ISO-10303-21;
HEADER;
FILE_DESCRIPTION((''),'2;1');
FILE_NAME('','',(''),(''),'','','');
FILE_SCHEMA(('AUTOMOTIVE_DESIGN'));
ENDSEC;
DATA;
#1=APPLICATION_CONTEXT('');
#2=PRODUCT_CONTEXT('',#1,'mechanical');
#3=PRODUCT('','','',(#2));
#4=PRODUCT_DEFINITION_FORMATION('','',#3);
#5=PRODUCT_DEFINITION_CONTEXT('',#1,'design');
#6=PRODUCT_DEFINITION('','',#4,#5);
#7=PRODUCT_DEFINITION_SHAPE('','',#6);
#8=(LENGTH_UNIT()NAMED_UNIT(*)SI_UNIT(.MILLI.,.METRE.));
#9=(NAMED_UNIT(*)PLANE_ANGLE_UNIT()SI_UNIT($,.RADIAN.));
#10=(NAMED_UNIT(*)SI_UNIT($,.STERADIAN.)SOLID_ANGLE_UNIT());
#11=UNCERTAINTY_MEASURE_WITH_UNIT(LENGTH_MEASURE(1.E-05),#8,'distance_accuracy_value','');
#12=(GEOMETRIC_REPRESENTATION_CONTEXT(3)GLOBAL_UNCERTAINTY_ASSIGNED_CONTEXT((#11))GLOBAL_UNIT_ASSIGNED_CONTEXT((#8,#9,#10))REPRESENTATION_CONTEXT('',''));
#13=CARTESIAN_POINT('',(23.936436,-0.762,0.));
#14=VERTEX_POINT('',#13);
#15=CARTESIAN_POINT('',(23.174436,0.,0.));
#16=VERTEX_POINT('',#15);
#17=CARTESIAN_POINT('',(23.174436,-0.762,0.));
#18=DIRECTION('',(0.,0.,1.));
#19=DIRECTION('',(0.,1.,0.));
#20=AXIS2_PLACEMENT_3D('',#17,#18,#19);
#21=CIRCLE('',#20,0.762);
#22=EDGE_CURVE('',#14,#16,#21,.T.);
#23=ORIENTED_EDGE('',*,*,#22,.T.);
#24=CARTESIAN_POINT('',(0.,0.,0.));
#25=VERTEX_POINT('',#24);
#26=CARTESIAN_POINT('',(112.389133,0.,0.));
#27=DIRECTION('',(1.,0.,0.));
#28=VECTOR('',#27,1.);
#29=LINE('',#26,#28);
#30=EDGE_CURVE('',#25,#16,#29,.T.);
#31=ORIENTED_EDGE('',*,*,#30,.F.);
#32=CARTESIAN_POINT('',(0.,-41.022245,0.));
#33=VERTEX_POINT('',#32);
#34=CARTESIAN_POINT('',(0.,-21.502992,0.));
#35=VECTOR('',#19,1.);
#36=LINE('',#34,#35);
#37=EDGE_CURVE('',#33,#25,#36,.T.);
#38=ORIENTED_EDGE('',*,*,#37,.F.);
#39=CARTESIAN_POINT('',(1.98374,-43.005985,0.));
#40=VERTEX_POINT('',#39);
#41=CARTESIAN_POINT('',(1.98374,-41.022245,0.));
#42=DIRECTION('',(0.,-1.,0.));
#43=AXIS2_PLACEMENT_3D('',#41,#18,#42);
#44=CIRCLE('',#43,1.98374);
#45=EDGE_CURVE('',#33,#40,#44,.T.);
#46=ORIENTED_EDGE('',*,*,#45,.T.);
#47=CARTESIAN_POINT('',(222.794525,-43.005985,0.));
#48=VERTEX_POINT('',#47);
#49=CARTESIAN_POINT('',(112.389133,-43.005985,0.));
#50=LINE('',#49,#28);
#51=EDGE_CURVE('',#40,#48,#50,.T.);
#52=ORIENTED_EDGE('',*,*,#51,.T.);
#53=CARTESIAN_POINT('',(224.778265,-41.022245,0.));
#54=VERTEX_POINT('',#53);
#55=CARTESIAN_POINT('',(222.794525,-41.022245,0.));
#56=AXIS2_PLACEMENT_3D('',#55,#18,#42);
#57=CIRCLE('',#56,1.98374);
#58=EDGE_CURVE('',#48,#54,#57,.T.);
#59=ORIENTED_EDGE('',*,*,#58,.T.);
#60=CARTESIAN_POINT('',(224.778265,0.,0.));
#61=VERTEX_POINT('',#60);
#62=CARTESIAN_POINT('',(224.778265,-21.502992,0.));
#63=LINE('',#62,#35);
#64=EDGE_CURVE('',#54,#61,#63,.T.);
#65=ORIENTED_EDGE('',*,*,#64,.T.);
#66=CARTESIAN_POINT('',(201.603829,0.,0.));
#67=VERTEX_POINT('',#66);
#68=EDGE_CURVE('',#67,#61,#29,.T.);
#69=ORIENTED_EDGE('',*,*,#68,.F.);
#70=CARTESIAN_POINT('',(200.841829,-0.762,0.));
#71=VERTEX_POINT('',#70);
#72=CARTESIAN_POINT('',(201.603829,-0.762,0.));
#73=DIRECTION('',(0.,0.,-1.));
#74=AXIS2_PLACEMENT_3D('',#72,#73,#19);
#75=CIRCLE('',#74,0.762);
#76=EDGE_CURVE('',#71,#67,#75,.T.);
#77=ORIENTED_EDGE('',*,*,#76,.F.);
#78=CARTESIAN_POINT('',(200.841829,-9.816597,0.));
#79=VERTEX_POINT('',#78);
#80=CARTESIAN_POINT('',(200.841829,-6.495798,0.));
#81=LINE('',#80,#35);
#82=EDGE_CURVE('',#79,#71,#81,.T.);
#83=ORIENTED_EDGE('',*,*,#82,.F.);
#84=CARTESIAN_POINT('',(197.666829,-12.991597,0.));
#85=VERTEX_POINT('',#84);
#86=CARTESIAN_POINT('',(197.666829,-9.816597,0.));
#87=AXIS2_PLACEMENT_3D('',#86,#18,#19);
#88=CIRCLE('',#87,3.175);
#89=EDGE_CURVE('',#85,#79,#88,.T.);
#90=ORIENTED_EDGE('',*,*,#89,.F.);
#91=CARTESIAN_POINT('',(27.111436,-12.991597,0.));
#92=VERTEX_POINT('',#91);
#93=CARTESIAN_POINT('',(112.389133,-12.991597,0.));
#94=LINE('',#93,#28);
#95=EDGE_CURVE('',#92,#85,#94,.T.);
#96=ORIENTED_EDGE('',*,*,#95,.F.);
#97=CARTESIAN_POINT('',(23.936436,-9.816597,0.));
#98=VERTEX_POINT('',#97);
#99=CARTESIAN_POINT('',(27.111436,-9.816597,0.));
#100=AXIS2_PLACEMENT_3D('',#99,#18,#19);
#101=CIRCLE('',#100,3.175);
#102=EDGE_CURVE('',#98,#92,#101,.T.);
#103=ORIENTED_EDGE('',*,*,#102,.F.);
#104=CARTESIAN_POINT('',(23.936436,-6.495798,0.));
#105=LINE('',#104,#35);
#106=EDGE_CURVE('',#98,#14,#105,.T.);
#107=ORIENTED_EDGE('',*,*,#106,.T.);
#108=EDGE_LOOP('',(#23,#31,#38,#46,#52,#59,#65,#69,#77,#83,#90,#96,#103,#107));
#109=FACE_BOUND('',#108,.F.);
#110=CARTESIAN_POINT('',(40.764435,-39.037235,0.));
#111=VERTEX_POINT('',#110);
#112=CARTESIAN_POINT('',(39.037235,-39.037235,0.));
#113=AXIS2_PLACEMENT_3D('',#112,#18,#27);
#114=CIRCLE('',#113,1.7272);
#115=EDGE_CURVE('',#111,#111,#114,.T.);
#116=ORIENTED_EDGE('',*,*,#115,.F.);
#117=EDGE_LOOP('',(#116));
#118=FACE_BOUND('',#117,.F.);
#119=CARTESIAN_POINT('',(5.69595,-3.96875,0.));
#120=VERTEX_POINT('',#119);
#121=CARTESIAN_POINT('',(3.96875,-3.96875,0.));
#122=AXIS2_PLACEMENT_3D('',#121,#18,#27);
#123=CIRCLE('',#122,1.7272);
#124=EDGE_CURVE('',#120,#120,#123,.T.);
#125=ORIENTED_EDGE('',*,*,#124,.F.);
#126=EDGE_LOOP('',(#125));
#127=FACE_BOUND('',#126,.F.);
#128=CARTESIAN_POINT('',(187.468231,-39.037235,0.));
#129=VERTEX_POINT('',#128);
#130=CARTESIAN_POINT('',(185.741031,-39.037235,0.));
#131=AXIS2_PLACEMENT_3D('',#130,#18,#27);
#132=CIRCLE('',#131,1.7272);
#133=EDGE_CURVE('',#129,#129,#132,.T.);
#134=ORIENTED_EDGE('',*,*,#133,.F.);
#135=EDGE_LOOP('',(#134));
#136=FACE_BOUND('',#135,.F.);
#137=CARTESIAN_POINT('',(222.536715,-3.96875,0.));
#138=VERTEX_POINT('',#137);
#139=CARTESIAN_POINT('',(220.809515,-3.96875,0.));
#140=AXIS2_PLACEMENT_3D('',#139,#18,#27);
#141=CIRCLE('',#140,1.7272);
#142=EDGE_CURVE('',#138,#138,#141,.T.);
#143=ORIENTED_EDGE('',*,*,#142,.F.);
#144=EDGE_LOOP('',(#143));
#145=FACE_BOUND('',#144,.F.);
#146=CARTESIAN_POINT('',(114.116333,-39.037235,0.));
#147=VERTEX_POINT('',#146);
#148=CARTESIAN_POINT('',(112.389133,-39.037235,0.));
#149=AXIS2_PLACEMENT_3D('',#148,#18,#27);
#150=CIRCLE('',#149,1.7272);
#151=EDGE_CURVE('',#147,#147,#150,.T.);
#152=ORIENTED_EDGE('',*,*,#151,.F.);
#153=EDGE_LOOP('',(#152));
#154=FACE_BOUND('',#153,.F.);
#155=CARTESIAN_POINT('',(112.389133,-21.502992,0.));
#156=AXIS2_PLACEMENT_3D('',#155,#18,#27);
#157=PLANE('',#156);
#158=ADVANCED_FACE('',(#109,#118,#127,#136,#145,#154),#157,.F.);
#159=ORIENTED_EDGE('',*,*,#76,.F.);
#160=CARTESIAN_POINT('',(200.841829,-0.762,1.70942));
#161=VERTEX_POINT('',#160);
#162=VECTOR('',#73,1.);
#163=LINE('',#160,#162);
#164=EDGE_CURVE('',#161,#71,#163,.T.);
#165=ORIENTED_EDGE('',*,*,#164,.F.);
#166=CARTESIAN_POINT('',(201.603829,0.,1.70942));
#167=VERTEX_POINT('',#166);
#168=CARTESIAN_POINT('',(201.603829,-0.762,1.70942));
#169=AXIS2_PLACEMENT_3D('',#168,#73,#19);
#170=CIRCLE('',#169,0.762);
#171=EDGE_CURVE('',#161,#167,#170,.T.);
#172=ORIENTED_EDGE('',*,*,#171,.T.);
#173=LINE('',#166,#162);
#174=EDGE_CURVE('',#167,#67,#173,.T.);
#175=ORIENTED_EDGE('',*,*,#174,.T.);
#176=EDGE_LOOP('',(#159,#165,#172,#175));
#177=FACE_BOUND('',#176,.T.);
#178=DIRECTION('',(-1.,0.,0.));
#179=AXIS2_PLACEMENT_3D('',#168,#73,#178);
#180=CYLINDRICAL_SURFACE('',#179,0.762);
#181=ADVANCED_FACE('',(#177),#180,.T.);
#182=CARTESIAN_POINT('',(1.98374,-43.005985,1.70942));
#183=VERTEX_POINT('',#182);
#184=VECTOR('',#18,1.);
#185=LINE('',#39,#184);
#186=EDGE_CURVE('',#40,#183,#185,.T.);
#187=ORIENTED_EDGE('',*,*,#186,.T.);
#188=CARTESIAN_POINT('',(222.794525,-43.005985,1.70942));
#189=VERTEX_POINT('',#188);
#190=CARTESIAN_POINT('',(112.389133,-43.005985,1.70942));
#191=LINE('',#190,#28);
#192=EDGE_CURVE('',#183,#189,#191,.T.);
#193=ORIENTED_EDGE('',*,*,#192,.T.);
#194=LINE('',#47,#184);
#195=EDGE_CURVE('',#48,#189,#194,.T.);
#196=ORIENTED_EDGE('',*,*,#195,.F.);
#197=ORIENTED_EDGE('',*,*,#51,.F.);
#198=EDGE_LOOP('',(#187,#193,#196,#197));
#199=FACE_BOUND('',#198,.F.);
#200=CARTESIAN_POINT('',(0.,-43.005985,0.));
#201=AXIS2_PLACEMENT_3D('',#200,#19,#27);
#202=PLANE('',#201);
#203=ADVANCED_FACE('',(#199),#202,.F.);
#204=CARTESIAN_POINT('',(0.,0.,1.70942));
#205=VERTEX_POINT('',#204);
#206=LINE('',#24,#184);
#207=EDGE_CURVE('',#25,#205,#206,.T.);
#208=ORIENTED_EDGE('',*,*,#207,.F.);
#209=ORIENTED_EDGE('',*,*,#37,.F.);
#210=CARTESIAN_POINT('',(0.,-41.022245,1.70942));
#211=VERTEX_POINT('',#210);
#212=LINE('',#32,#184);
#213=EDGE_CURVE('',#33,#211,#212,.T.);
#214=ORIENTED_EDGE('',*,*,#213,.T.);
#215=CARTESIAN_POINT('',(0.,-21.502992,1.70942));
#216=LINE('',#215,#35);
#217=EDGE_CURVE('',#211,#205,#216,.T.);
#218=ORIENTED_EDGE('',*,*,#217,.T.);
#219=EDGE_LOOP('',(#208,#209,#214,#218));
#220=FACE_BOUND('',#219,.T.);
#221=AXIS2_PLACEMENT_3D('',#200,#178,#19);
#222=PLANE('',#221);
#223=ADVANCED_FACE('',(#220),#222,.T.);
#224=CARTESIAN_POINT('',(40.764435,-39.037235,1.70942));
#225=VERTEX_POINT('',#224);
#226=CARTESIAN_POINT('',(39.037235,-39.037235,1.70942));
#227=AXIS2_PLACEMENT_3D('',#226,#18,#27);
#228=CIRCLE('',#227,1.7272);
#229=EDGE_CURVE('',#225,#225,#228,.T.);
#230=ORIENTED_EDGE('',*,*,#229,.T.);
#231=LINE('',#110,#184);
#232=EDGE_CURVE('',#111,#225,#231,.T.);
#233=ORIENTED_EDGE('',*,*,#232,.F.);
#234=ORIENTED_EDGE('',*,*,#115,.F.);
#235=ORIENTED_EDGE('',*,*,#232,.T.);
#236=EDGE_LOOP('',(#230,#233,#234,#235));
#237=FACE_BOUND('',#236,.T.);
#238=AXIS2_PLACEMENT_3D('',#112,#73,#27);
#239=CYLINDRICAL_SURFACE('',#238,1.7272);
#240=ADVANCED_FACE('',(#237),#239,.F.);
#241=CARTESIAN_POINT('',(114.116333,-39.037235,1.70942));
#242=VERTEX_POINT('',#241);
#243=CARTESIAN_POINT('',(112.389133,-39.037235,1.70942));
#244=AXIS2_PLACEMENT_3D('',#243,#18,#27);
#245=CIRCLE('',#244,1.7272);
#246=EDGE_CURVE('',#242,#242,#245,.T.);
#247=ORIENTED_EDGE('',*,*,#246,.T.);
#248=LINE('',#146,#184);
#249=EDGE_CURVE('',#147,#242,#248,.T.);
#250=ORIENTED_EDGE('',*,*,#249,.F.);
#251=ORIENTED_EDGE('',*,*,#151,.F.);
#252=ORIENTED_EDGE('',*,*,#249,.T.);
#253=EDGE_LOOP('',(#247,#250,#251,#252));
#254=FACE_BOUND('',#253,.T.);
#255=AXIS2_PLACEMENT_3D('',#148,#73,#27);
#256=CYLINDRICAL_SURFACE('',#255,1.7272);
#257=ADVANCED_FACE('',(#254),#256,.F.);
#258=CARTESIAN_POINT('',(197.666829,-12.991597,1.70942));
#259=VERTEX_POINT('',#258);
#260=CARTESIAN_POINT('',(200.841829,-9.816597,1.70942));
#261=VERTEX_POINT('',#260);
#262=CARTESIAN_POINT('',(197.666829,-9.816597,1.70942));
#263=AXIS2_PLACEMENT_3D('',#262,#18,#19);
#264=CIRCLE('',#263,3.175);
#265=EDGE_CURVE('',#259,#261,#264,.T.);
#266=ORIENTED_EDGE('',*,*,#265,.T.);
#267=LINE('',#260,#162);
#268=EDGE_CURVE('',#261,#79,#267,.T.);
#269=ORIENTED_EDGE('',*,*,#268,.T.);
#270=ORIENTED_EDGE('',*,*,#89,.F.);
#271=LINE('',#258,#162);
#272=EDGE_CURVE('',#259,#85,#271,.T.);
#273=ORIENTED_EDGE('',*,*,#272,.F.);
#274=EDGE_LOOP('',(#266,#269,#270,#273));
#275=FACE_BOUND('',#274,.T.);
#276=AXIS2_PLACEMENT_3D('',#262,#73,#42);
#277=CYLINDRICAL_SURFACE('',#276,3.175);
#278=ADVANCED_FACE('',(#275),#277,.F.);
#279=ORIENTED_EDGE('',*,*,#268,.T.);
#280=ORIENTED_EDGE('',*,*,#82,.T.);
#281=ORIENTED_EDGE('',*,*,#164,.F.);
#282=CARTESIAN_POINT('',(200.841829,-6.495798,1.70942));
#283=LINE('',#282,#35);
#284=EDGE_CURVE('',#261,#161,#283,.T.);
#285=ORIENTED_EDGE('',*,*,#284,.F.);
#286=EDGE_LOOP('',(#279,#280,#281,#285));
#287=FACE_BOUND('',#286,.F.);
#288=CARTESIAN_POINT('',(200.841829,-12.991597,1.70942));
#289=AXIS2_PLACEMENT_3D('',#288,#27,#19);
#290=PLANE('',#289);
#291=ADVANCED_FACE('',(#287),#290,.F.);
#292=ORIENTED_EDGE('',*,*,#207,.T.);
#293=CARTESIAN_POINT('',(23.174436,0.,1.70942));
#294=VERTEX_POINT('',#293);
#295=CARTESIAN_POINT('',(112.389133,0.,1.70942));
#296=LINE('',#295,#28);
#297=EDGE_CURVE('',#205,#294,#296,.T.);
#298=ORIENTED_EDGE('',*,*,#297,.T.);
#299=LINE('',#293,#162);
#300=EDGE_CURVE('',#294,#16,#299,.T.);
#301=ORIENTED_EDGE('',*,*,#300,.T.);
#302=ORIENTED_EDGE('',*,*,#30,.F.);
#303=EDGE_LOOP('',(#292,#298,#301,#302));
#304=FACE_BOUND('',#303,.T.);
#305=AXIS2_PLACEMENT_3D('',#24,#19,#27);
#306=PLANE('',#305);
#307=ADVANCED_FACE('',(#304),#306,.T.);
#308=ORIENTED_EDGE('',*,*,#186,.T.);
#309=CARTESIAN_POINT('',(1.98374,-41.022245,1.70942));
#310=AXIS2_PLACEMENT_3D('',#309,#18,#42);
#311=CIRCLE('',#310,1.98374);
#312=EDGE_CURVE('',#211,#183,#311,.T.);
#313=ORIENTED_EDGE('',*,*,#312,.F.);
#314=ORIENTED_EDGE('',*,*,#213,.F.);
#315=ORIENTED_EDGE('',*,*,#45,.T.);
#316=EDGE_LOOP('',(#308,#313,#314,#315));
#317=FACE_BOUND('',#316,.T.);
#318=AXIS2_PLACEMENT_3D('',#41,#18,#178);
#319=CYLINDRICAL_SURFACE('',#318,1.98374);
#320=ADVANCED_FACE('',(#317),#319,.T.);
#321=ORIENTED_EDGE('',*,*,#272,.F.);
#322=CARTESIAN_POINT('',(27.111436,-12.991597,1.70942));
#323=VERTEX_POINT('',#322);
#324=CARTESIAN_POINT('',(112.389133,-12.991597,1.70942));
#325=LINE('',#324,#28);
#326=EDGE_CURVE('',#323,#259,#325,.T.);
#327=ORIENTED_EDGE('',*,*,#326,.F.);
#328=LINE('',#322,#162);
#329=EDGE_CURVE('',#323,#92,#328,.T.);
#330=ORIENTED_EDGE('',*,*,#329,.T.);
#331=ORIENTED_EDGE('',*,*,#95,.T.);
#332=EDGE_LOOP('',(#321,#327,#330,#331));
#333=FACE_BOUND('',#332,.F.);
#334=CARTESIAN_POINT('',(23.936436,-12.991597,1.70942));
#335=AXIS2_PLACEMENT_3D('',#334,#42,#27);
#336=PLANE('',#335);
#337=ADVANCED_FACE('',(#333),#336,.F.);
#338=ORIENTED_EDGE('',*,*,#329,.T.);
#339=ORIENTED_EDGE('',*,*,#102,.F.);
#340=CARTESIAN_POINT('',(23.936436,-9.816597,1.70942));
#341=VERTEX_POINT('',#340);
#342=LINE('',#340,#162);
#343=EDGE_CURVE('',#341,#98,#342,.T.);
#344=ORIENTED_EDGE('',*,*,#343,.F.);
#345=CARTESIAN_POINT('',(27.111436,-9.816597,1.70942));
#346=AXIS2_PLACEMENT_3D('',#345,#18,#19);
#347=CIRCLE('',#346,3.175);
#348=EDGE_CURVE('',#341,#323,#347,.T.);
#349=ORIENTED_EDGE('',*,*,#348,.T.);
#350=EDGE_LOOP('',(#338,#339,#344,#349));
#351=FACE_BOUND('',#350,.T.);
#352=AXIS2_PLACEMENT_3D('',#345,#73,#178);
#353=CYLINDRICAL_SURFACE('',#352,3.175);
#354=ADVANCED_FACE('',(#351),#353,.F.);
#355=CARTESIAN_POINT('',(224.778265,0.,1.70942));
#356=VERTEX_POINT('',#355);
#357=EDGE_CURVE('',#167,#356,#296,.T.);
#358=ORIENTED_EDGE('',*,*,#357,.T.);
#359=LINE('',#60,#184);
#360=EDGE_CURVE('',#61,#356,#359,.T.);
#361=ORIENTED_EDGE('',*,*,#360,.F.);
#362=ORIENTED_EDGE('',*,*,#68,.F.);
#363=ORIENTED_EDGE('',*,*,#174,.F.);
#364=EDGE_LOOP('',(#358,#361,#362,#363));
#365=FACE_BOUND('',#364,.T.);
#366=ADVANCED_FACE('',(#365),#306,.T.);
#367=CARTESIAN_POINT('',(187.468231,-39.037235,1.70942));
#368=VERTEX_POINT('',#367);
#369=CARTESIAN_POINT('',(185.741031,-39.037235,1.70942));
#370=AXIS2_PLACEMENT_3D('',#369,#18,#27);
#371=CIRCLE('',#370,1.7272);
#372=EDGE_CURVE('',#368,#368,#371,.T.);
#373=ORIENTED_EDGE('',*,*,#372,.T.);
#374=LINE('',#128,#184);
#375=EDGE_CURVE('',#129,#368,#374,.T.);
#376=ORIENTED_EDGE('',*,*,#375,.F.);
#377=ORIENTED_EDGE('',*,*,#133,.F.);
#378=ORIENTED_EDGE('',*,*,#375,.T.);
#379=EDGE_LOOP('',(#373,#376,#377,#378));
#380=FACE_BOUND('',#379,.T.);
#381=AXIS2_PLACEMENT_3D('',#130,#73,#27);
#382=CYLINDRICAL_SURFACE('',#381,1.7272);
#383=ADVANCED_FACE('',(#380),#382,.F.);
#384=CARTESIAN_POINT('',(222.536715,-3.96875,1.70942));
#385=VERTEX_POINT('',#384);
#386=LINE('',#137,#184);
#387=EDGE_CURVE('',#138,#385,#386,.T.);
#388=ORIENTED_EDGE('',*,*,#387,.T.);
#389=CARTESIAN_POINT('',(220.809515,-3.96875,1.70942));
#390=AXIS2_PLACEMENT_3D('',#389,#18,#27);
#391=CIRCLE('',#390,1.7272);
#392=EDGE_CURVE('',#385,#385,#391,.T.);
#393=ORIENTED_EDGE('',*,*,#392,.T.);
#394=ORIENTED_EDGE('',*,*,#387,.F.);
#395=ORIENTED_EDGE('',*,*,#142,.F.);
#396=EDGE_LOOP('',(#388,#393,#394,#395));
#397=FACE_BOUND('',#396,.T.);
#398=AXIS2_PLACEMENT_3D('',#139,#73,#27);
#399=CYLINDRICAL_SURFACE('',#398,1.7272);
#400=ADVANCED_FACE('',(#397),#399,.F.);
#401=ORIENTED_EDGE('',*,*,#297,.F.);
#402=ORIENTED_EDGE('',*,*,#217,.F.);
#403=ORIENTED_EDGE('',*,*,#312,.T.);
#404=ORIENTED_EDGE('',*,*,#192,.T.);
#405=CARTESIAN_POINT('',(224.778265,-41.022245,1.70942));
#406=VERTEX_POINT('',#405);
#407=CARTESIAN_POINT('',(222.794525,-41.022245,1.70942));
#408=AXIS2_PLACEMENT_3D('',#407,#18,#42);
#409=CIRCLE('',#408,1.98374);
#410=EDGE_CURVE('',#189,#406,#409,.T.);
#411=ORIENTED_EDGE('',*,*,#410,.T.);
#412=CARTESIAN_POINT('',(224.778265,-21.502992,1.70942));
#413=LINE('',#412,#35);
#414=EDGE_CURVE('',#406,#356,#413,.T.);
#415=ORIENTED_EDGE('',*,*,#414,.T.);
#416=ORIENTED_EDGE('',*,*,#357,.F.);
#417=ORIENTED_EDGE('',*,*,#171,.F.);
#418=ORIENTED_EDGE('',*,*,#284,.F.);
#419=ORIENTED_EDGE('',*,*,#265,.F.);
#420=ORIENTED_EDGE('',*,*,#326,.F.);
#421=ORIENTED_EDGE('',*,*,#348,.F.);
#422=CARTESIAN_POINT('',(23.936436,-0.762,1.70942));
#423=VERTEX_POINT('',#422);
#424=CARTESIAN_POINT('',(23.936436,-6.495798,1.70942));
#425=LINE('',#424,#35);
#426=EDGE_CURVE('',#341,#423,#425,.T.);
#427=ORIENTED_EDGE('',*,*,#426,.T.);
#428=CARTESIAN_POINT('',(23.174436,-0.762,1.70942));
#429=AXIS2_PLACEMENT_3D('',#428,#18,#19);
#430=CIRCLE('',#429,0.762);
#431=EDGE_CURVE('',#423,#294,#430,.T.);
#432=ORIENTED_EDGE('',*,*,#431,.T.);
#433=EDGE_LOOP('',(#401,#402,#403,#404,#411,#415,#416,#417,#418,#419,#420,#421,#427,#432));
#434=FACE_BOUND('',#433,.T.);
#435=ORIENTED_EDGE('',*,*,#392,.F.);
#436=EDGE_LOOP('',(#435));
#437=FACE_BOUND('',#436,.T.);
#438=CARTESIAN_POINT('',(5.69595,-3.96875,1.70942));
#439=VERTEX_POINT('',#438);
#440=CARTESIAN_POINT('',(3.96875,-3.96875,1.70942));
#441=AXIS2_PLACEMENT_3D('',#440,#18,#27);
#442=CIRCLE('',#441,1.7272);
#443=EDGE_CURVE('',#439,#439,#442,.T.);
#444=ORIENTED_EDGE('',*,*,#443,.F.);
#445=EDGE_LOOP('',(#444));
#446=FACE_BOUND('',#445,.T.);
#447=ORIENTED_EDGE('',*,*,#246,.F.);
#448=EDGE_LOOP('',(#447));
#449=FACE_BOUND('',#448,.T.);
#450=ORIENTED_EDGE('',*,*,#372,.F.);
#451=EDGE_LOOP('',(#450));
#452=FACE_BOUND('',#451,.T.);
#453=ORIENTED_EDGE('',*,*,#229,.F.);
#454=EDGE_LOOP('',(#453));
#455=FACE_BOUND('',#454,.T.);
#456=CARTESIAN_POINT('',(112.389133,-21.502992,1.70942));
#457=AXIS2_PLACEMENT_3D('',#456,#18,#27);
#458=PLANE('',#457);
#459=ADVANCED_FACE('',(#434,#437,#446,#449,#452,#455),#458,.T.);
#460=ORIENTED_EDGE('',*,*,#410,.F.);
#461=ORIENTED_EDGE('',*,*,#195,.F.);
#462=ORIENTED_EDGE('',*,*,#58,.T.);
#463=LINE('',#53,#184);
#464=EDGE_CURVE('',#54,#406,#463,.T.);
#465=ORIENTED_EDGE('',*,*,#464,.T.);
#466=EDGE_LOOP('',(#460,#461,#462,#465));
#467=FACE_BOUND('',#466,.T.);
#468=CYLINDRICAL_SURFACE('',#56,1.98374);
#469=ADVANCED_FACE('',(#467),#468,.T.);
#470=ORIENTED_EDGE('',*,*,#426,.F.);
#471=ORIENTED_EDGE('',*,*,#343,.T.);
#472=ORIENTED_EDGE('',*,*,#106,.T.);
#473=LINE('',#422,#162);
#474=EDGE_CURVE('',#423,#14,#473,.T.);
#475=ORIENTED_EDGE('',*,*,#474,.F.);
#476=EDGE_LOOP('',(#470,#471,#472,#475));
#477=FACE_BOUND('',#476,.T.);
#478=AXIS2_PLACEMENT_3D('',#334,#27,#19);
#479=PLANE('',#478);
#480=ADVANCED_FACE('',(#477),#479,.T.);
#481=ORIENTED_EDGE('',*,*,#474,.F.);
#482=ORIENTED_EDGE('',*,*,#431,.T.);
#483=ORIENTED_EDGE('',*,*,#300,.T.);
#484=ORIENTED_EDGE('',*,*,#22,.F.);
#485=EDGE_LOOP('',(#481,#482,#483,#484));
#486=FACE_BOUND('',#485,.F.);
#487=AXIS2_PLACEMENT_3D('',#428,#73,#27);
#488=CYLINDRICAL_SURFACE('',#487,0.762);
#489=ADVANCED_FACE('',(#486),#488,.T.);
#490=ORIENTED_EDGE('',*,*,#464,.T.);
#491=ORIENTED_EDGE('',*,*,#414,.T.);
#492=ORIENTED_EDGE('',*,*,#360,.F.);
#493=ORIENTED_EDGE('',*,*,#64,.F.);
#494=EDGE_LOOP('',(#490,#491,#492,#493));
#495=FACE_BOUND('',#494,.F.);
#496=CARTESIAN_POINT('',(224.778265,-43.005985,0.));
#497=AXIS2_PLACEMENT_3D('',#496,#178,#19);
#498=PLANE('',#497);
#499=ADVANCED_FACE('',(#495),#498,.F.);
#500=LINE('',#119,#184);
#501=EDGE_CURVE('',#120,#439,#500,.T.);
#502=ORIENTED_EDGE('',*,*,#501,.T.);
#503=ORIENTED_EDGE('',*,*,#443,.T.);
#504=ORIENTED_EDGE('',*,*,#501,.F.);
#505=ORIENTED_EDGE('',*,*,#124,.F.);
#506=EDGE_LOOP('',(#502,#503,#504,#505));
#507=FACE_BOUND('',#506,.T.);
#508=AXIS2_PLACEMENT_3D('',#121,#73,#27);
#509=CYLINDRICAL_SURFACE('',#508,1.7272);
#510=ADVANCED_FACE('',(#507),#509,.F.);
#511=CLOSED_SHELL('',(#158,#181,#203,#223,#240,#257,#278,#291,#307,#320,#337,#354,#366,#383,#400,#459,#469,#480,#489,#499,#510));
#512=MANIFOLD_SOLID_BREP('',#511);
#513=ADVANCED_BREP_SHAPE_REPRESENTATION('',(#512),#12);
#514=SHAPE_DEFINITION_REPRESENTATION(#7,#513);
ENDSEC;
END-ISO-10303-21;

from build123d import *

# Parameters (mm, degrees)
F0_W     = 224.7782652
F0_H     = 43.0059846
F0_R     = 1.7272
F1_DEPTH = 1.70942
F2_R     = 1.98374
F3_W     = 176.9053931614
F3_H     = 12.9915969446
F4_DEPTH = 1.70942
F5_R     = 3.175
F6_R     = 0.762


with BuildPart() as f1:
    # F0 (on Top) → F1 (new body)
    with BuildSketch(Plane.XY):
        with Locations((112.3891326, -21.5029923)):
            Rectangle(F0_W, F0_H)
        with Locations((39.0372346, -39.0372346)):
            Circle(F0_R, mode=Mode.SUBTRACT)
        with Locations((112.3891326, -39.0372346)):
            Circle(F0_R, mode=Mode.SUBTRACT)
        with Locations((185.7410306, -39.0372346)):
            Circle(F0_R, mode=Mode.SUBTRACT)
        with Locations((3.96875, -3.96875)):
            Circle(F0_R, mode=Mode.SUBTRACT)
        with Locations((220.8095152, -3.96875)):
            Circle(F0_R, mode=Mode.SUBTRACT)
    extrude(amount=F1_DEPTH)

    # F2
    f2_edges = [f1.edges().sort_by_distance(p)[0] for p in [
        (0, -43.005985, 0.85471),
        (224.778265, -43.005985, 0.85471),
    ]]
    fillet(f2_edges, radius=F2_R)

    # F3 (on face) → F4 (cut, through all)
    with BuildSketch(Plane.XY.offset(1.70942)):
        with Locations((112.3891326, -6.4957984723)):
            Rectangle(F3_W, F3_H)
    extrude(amount=-F4_DEPTH, mode=Mode.SUBTRACT)

    # F5
    f5_edges = [f1.edges().sort_by_distance(p)[0] for p in [
        (200.841829, -12.991597, 0.85471),
        (23.936436, -12.991597, 0.85471),
    ]]
    fillet(f5_edges, radius=F5_R)

    # F6
    f6_edges = [f1.edges().sort_by_distance(p)[0] for p in [
        (23.936436, 0, 0.85471),
        (200.841829, 0, 0.85471),
    ]]
    fillet(f6_edges, radius=F6_R)


solid = f1.part
